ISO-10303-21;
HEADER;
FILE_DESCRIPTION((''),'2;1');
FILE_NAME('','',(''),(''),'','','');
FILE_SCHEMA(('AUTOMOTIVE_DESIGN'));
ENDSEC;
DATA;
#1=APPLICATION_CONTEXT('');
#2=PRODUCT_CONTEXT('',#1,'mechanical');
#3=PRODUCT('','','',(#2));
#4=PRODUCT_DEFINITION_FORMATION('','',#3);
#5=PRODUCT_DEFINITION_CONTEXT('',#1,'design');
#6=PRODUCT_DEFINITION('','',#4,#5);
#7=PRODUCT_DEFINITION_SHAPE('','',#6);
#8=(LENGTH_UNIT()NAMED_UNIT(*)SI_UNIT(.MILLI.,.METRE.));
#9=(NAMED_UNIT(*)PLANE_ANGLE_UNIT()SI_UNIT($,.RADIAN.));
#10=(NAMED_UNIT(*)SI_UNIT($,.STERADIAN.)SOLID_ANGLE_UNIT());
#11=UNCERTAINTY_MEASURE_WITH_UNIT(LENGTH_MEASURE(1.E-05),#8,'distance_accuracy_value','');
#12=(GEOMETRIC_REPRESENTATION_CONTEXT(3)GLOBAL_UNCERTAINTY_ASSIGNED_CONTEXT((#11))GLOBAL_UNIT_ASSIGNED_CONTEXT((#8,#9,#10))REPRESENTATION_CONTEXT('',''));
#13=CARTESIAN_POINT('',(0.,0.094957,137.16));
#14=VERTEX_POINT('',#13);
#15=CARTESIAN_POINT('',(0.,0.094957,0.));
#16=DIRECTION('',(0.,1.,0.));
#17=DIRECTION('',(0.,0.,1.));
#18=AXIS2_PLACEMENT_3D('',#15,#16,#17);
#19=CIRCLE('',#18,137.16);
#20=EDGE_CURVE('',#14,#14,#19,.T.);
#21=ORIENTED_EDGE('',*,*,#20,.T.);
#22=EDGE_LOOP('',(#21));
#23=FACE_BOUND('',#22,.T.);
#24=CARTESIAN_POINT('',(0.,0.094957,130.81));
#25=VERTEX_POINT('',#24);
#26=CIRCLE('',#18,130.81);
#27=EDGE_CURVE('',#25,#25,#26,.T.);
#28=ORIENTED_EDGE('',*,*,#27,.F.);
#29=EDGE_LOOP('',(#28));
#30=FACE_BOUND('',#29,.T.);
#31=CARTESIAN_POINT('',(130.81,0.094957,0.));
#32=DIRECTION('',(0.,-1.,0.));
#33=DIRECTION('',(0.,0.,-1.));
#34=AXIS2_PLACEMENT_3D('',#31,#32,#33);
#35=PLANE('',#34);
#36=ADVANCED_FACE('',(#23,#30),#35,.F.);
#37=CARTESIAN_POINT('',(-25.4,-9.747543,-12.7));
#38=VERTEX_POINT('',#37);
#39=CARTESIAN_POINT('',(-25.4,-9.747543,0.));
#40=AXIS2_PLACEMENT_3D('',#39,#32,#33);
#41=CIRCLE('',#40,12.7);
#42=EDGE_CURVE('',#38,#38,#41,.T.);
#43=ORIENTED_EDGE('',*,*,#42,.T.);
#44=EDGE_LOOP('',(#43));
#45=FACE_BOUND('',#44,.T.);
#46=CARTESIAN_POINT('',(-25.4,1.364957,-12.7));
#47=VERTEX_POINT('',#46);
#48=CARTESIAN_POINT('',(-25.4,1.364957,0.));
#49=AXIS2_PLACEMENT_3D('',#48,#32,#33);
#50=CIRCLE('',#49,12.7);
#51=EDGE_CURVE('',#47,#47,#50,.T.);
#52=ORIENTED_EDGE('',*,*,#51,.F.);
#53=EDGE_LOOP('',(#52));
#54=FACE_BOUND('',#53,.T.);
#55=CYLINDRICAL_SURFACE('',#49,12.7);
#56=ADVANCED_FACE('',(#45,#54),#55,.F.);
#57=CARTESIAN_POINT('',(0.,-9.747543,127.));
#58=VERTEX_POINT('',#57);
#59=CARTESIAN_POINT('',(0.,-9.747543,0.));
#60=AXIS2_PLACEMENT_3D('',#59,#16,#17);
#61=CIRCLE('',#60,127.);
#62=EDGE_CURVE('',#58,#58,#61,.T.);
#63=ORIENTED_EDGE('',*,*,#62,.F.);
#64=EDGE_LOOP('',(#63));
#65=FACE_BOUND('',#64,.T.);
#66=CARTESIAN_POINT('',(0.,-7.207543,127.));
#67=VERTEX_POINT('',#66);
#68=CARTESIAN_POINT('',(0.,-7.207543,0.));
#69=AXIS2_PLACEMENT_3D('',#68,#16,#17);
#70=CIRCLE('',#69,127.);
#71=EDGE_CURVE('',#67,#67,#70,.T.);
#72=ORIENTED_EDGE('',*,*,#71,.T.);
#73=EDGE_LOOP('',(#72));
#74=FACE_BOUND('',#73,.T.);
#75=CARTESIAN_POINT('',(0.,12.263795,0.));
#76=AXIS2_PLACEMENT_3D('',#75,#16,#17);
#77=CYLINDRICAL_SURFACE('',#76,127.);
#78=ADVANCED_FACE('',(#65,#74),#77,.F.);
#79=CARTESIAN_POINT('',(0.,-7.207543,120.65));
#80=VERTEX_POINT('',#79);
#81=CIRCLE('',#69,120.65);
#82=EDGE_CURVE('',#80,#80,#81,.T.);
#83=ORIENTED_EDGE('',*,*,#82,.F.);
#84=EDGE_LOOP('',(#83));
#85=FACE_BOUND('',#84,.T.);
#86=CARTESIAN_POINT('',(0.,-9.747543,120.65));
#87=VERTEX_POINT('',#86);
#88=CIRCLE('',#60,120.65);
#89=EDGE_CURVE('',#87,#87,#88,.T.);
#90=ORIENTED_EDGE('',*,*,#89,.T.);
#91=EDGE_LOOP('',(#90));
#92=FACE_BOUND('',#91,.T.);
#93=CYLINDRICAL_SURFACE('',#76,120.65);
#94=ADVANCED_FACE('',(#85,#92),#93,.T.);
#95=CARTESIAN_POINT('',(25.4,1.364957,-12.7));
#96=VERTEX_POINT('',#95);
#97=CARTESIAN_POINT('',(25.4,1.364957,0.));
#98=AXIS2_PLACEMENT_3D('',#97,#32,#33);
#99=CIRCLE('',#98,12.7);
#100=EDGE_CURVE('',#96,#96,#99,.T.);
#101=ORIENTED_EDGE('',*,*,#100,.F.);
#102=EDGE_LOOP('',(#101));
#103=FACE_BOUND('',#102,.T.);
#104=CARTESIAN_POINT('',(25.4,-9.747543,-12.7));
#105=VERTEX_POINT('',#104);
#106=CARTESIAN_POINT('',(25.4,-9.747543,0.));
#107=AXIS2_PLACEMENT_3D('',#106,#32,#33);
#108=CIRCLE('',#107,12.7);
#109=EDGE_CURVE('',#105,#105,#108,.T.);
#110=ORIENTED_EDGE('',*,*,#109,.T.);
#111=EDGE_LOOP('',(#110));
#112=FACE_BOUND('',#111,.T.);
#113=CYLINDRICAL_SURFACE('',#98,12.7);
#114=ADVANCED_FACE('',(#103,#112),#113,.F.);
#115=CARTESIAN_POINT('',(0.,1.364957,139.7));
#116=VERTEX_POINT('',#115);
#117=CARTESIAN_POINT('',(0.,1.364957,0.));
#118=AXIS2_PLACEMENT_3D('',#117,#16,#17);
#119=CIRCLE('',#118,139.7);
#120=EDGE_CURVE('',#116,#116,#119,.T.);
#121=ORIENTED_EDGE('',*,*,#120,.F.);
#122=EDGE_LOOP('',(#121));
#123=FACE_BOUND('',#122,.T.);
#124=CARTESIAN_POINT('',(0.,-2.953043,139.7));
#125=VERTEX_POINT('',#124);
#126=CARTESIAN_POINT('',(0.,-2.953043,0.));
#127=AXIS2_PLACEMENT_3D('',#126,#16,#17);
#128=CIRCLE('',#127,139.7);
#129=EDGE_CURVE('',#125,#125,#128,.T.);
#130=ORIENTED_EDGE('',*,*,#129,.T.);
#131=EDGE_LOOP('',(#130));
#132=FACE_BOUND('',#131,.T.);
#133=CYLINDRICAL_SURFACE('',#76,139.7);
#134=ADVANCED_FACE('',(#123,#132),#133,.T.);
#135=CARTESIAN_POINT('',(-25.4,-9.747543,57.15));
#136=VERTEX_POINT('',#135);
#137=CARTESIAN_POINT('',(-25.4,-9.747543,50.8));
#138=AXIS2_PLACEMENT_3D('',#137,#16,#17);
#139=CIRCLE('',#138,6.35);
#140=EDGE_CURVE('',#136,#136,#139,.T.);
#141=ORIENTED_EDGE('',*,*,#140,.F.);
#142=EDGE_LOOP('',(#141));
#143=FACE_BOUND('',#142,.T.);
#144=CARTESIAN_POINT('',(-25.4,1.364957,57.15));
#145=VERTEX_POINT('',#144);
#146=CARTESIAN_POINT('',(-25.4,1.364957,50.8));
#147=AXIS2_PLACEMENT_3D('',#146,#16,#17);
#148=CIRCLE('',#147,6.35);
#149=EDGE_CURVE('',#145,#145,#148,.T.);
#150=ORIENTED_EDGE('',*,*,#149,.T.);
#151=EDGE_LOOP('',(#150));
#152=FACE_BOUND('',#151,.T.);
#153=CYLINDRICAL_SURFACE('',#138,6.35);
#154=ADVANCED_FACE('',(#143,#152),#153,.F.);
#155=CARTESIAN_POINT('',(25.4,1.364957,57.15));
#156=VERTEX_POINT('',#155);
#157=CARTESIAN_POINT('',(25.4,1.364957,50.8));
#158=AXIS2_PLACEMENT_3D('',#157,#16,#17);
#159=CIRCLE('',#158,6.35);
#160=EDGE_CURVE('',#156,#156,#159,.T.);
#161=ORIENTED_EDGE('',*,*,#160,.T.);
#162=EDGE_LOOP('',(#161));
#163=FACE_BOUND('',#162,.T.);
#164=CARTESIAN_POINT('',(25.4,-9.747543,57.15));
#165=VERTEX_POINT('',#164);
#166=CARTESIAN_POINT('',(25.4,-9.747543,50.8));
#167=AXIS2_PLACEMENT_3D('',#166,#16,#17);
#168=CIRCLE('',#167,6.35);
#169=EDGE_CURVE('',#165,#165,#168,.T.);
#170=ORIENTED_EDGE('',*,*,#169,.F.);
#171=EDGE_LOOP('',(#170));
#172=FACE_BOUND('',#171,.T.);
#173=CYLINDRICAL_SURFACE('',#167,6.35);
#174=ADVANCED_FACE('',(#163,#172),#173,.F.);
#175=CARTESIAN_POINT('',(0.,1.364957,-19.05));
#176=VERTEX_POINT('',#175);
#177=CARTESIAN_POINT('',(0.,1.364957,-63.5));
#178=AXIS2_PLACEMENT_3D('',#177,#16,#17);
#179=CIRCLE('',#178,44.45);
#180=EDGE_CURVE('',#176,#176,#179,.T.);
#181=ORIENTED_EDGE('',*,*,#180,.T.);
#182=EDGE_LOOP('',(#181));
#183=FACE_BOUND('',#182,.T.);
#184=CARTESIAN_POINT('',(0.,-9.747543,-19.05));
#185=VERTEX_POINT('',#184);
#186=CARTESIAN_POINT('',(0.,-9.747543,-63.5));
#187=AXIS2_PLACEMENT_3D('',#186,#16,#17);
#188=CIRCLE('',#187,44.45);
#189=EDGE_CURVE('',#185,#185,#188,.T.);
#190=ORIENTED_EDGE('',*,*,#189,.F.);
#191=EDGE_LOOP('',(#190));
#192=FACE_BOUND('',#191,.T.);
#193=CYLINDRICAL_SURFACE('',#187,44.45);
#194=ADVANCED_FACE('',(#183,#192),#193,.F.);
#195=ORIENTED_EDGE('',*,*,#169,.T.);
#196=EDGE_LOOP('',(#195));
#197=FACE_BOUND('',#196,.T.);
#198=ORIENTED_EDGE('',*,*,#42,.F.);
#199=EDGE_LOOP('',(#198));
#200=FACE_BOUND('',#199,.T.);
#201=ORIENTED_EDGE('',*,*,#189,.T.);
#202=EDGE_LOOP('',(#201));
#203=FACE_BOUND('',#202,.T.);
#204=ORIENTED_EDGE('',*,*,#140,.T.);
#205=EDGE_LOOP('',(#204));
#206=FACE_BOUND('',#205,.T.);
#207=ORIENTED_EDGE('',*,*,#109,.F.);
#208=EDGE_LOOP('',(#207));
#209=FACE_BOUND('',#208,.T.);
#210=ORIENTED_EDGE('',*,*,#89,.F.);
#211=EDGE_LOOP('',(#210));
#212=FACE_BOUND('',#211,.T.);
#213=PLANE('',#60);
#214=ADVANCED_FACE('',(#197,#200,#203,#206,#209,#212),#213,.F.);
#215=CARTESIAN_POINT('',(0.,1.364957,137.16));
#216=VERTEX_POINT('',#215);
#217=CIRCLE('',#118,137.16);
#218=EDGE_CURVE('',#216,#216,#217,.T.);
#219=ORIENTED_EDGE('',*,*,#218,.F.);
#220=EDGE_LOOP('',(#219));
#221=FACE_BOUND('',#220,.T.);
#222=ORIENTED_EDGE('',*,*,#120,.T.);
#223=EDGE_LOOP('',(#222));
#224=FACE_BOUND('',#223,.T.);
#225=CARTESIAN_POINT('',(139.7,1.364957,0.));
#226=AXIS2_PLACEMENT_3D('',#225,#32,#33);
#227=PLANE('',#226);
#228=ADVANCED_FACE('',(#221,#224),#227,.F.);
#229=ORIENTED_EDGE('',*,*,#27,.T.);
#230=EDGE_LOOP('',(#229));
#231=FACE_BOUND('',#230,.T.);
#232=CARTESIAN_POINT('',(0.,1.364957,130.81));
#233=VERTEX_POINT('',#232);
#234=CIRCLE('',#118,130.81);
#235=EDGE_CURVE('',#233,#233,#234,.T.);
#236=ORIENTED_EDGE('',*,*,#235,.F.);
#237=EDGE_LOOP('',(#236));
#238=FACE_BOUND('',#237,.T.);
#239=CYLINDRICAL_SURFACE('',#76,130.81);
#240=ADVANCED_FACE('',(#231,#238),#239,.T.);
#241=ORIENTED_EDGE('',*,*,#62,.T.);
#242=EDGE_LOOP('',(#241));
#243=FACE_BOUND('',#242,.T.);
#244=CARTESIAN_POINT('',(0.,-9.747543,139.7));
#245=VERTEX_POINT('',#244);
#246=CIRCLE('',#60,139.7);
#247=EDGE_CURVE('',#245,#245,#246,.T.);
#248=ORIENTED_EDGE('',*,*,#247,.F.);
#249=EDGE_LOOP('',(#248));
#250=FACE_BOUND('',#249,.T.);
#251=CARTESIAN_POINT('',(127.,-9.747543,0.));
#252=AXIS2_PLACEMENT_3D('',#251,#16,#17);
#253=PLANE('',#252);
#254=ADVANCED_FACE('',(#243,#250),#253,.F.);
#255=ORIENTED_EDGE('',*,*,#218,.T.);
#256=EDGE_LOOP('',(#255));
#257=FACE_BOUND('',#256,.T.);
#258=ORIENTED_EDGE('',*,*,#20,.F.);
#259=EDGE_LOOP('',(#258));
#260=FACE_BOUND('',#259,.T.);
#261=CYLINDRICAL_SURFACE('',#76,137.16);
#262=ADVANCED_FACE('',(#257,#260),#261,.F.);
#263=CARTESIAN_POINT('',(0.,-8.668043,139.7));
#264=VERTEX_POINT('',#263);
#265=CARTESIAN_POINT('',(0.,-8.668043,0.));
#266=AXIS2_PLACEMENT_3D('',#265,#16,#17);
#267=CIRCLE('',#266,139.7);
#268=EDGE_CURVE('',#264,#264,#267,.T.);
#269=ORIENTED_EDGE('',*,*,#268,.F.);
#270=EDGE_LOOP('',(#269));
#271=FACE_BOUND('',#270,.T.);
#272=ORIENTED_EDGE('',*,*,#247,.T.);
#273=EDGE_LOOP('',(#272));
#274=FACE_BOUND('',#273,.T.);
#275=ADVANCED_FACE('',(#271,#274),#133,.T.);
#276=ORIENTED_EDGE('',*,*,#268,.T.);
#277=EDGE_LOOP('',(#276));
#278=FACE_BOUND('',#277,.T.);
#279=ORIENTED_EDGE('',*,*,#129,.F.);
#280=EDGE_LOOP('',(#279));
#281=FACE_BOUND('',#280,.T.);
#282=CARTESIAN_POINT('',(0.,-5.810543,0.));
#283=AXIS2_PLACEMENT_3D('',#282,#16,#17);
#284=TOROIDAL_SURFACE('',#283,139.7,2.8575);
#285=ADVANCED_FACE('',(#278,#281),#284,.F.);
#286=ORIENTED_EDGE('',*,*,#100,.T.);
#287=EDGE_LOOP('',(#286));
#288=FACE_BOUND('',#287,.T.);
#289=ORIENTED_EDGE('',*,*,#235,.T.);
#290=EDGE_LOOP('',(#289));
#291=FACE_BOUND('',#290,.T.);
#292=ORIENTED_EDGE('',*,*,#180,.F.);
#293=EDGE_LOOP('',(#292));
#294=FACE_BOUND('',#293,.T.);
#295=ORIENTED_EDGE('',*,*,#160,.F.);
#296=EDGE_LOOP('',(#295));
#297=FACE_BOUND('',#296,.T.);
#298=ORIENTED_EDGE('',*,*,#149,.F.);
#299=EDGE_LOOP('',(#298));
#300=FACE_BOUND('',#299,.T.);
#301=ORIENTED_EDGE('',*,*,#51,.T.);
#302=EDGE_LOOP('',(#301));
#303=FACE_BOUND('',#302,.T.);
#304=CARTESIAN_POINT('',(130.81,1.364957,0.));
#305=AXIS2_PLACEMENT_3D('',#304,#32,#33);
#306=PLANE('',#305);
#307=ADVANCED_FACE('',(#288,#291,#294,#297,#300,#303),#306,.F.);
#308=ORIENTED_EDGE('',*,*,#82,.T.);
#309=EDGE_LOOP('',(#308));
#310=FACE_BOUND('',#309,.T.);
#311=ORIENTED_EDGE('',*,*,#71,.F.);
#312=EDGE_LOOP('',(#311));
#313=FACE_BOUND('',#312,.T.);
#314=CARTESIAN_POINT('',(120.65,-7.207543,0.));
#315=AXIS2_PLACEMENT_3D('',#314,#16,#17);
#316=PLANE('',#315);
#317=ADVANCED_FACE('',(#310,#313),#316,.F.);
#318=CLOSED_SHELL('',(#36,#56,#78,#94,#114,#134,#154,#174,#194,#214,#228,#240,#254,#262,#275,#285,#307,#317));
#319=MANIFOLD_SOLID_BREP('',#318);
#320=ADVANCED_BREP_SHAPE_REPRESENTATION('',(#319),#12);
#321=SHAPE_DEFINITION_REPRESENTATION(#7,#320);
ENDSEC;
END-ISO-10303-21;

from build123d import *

# Parameters (mm, degrees)
SKETCH2_R          = 6.35
CUT_EXTRUDE1_DEPTH = 198.877910986
SKETCH3_R          = 12.7
CUT_EXTRUDE2_DEPTH = 198.877910986
SKETCH4_R          = 44.45
CUT_EXTRUDE3_DEPTH = 198.877910986


with BuildPart() as part:
    # Sketch1 → Revolve1 (revolve)
    with BuildSketch(Plane.XY, mode=Mode.PRIVATE) as revolve1_sk:
        with BuildLine():
            Line((0, 1.364957177), (0, -9.747542823))
            Line((0, -9.747542823), (120.65, -9.747542823))
            Line((120.65, -9.747542823), (120.65, -7.207542823))
            Line((120.65, -7.207542823), (127, -7.207542823))
            Line((127, -7.207542823), (127, -9.747542823))
            Line((127, -9.747542823), (139.7, -9.747542823))
            Line((139.7, -9.747542823), (139.7, -8.668042823))
            ThreePointArc((139.7, -8.668042823), (136.8425, -5.810542823), (139.7, -2.953042823))
            Line((139.7, -2.953042823), (139.7, 1.364957177))
            Line((139.7, 1.364957177), (137.16, 1.364957177))
            Line((137.16, 1.364957177), (137.16, 0.094957177))
            Line((137.16, 0.094957177), (130.81, 0.094957177))
            Line((130.81, 0.094957177), (130.81, 1.364957177))
            Line((130.81, 1.364957177), (0, 1.364957177))
        make_face()
    revolve(revolve1_sk.sketch.rotate(Axis((0, 12.263795045, 0), (0, -1, 0)), 90), axis=Axis((0, 12.263795045, 0), (0, -1, 0)))

    # Sketch2 → Cut-Extrude1 (cut, through all)
    with BuildSketch(Plane(origin=(0, 1.364957177, 0), x_dir=(1, 0, 0), z_dir=(0, 1, 0))):
        with Locations(Location((25.4, -50.8, 0), (0, 0, 270))):
            Circle(SKETCH2_R)
        with Locations(Location((-25.4, -50.8, 0), (0, 0, 270))):
            Circle(SKETCH2_R)
    extrude(amount=-CUT_EXTRUDE1_DEPTH, mode=Mode.SUBTRACT)

    # Sketch3 → Cut-Extrude2 (cut, through all)
    with BuildSketch(Plane(origin=(0, -9.747542823, 0), x_dir=(-1, 0, 0), z_dir=(0, -1, 0))):
        with Locations(Location((-25.4, 0, 0), (0, 0, 90))):
            Circle(SKETCH3_R)
        with Locations(Location((25.4, 0, 0), (0, 0, 90))):
            Circle(SKETCH3_R)
    extrude(amount=-CUT_EXTRUDE2_DEPTH, mode=Mode.SUBTRACT)

    # Sketch4 → Cut-Extrude3 (cut, through all)
    with BuildSketch(Plane(origin=(0, 1.364957177, 0), x_dir=(1, 0, 0), z_dir=(0, 1, 0))):
        with Locations(Location((0, 63.5, 0), (0, 0, 270))):
            Circle(SKETCH4_R)
    extrude(amount=-CUT_EXTRUDE3_DEPTH, mode=Mode.SUBTRACT)


solid = part.part
